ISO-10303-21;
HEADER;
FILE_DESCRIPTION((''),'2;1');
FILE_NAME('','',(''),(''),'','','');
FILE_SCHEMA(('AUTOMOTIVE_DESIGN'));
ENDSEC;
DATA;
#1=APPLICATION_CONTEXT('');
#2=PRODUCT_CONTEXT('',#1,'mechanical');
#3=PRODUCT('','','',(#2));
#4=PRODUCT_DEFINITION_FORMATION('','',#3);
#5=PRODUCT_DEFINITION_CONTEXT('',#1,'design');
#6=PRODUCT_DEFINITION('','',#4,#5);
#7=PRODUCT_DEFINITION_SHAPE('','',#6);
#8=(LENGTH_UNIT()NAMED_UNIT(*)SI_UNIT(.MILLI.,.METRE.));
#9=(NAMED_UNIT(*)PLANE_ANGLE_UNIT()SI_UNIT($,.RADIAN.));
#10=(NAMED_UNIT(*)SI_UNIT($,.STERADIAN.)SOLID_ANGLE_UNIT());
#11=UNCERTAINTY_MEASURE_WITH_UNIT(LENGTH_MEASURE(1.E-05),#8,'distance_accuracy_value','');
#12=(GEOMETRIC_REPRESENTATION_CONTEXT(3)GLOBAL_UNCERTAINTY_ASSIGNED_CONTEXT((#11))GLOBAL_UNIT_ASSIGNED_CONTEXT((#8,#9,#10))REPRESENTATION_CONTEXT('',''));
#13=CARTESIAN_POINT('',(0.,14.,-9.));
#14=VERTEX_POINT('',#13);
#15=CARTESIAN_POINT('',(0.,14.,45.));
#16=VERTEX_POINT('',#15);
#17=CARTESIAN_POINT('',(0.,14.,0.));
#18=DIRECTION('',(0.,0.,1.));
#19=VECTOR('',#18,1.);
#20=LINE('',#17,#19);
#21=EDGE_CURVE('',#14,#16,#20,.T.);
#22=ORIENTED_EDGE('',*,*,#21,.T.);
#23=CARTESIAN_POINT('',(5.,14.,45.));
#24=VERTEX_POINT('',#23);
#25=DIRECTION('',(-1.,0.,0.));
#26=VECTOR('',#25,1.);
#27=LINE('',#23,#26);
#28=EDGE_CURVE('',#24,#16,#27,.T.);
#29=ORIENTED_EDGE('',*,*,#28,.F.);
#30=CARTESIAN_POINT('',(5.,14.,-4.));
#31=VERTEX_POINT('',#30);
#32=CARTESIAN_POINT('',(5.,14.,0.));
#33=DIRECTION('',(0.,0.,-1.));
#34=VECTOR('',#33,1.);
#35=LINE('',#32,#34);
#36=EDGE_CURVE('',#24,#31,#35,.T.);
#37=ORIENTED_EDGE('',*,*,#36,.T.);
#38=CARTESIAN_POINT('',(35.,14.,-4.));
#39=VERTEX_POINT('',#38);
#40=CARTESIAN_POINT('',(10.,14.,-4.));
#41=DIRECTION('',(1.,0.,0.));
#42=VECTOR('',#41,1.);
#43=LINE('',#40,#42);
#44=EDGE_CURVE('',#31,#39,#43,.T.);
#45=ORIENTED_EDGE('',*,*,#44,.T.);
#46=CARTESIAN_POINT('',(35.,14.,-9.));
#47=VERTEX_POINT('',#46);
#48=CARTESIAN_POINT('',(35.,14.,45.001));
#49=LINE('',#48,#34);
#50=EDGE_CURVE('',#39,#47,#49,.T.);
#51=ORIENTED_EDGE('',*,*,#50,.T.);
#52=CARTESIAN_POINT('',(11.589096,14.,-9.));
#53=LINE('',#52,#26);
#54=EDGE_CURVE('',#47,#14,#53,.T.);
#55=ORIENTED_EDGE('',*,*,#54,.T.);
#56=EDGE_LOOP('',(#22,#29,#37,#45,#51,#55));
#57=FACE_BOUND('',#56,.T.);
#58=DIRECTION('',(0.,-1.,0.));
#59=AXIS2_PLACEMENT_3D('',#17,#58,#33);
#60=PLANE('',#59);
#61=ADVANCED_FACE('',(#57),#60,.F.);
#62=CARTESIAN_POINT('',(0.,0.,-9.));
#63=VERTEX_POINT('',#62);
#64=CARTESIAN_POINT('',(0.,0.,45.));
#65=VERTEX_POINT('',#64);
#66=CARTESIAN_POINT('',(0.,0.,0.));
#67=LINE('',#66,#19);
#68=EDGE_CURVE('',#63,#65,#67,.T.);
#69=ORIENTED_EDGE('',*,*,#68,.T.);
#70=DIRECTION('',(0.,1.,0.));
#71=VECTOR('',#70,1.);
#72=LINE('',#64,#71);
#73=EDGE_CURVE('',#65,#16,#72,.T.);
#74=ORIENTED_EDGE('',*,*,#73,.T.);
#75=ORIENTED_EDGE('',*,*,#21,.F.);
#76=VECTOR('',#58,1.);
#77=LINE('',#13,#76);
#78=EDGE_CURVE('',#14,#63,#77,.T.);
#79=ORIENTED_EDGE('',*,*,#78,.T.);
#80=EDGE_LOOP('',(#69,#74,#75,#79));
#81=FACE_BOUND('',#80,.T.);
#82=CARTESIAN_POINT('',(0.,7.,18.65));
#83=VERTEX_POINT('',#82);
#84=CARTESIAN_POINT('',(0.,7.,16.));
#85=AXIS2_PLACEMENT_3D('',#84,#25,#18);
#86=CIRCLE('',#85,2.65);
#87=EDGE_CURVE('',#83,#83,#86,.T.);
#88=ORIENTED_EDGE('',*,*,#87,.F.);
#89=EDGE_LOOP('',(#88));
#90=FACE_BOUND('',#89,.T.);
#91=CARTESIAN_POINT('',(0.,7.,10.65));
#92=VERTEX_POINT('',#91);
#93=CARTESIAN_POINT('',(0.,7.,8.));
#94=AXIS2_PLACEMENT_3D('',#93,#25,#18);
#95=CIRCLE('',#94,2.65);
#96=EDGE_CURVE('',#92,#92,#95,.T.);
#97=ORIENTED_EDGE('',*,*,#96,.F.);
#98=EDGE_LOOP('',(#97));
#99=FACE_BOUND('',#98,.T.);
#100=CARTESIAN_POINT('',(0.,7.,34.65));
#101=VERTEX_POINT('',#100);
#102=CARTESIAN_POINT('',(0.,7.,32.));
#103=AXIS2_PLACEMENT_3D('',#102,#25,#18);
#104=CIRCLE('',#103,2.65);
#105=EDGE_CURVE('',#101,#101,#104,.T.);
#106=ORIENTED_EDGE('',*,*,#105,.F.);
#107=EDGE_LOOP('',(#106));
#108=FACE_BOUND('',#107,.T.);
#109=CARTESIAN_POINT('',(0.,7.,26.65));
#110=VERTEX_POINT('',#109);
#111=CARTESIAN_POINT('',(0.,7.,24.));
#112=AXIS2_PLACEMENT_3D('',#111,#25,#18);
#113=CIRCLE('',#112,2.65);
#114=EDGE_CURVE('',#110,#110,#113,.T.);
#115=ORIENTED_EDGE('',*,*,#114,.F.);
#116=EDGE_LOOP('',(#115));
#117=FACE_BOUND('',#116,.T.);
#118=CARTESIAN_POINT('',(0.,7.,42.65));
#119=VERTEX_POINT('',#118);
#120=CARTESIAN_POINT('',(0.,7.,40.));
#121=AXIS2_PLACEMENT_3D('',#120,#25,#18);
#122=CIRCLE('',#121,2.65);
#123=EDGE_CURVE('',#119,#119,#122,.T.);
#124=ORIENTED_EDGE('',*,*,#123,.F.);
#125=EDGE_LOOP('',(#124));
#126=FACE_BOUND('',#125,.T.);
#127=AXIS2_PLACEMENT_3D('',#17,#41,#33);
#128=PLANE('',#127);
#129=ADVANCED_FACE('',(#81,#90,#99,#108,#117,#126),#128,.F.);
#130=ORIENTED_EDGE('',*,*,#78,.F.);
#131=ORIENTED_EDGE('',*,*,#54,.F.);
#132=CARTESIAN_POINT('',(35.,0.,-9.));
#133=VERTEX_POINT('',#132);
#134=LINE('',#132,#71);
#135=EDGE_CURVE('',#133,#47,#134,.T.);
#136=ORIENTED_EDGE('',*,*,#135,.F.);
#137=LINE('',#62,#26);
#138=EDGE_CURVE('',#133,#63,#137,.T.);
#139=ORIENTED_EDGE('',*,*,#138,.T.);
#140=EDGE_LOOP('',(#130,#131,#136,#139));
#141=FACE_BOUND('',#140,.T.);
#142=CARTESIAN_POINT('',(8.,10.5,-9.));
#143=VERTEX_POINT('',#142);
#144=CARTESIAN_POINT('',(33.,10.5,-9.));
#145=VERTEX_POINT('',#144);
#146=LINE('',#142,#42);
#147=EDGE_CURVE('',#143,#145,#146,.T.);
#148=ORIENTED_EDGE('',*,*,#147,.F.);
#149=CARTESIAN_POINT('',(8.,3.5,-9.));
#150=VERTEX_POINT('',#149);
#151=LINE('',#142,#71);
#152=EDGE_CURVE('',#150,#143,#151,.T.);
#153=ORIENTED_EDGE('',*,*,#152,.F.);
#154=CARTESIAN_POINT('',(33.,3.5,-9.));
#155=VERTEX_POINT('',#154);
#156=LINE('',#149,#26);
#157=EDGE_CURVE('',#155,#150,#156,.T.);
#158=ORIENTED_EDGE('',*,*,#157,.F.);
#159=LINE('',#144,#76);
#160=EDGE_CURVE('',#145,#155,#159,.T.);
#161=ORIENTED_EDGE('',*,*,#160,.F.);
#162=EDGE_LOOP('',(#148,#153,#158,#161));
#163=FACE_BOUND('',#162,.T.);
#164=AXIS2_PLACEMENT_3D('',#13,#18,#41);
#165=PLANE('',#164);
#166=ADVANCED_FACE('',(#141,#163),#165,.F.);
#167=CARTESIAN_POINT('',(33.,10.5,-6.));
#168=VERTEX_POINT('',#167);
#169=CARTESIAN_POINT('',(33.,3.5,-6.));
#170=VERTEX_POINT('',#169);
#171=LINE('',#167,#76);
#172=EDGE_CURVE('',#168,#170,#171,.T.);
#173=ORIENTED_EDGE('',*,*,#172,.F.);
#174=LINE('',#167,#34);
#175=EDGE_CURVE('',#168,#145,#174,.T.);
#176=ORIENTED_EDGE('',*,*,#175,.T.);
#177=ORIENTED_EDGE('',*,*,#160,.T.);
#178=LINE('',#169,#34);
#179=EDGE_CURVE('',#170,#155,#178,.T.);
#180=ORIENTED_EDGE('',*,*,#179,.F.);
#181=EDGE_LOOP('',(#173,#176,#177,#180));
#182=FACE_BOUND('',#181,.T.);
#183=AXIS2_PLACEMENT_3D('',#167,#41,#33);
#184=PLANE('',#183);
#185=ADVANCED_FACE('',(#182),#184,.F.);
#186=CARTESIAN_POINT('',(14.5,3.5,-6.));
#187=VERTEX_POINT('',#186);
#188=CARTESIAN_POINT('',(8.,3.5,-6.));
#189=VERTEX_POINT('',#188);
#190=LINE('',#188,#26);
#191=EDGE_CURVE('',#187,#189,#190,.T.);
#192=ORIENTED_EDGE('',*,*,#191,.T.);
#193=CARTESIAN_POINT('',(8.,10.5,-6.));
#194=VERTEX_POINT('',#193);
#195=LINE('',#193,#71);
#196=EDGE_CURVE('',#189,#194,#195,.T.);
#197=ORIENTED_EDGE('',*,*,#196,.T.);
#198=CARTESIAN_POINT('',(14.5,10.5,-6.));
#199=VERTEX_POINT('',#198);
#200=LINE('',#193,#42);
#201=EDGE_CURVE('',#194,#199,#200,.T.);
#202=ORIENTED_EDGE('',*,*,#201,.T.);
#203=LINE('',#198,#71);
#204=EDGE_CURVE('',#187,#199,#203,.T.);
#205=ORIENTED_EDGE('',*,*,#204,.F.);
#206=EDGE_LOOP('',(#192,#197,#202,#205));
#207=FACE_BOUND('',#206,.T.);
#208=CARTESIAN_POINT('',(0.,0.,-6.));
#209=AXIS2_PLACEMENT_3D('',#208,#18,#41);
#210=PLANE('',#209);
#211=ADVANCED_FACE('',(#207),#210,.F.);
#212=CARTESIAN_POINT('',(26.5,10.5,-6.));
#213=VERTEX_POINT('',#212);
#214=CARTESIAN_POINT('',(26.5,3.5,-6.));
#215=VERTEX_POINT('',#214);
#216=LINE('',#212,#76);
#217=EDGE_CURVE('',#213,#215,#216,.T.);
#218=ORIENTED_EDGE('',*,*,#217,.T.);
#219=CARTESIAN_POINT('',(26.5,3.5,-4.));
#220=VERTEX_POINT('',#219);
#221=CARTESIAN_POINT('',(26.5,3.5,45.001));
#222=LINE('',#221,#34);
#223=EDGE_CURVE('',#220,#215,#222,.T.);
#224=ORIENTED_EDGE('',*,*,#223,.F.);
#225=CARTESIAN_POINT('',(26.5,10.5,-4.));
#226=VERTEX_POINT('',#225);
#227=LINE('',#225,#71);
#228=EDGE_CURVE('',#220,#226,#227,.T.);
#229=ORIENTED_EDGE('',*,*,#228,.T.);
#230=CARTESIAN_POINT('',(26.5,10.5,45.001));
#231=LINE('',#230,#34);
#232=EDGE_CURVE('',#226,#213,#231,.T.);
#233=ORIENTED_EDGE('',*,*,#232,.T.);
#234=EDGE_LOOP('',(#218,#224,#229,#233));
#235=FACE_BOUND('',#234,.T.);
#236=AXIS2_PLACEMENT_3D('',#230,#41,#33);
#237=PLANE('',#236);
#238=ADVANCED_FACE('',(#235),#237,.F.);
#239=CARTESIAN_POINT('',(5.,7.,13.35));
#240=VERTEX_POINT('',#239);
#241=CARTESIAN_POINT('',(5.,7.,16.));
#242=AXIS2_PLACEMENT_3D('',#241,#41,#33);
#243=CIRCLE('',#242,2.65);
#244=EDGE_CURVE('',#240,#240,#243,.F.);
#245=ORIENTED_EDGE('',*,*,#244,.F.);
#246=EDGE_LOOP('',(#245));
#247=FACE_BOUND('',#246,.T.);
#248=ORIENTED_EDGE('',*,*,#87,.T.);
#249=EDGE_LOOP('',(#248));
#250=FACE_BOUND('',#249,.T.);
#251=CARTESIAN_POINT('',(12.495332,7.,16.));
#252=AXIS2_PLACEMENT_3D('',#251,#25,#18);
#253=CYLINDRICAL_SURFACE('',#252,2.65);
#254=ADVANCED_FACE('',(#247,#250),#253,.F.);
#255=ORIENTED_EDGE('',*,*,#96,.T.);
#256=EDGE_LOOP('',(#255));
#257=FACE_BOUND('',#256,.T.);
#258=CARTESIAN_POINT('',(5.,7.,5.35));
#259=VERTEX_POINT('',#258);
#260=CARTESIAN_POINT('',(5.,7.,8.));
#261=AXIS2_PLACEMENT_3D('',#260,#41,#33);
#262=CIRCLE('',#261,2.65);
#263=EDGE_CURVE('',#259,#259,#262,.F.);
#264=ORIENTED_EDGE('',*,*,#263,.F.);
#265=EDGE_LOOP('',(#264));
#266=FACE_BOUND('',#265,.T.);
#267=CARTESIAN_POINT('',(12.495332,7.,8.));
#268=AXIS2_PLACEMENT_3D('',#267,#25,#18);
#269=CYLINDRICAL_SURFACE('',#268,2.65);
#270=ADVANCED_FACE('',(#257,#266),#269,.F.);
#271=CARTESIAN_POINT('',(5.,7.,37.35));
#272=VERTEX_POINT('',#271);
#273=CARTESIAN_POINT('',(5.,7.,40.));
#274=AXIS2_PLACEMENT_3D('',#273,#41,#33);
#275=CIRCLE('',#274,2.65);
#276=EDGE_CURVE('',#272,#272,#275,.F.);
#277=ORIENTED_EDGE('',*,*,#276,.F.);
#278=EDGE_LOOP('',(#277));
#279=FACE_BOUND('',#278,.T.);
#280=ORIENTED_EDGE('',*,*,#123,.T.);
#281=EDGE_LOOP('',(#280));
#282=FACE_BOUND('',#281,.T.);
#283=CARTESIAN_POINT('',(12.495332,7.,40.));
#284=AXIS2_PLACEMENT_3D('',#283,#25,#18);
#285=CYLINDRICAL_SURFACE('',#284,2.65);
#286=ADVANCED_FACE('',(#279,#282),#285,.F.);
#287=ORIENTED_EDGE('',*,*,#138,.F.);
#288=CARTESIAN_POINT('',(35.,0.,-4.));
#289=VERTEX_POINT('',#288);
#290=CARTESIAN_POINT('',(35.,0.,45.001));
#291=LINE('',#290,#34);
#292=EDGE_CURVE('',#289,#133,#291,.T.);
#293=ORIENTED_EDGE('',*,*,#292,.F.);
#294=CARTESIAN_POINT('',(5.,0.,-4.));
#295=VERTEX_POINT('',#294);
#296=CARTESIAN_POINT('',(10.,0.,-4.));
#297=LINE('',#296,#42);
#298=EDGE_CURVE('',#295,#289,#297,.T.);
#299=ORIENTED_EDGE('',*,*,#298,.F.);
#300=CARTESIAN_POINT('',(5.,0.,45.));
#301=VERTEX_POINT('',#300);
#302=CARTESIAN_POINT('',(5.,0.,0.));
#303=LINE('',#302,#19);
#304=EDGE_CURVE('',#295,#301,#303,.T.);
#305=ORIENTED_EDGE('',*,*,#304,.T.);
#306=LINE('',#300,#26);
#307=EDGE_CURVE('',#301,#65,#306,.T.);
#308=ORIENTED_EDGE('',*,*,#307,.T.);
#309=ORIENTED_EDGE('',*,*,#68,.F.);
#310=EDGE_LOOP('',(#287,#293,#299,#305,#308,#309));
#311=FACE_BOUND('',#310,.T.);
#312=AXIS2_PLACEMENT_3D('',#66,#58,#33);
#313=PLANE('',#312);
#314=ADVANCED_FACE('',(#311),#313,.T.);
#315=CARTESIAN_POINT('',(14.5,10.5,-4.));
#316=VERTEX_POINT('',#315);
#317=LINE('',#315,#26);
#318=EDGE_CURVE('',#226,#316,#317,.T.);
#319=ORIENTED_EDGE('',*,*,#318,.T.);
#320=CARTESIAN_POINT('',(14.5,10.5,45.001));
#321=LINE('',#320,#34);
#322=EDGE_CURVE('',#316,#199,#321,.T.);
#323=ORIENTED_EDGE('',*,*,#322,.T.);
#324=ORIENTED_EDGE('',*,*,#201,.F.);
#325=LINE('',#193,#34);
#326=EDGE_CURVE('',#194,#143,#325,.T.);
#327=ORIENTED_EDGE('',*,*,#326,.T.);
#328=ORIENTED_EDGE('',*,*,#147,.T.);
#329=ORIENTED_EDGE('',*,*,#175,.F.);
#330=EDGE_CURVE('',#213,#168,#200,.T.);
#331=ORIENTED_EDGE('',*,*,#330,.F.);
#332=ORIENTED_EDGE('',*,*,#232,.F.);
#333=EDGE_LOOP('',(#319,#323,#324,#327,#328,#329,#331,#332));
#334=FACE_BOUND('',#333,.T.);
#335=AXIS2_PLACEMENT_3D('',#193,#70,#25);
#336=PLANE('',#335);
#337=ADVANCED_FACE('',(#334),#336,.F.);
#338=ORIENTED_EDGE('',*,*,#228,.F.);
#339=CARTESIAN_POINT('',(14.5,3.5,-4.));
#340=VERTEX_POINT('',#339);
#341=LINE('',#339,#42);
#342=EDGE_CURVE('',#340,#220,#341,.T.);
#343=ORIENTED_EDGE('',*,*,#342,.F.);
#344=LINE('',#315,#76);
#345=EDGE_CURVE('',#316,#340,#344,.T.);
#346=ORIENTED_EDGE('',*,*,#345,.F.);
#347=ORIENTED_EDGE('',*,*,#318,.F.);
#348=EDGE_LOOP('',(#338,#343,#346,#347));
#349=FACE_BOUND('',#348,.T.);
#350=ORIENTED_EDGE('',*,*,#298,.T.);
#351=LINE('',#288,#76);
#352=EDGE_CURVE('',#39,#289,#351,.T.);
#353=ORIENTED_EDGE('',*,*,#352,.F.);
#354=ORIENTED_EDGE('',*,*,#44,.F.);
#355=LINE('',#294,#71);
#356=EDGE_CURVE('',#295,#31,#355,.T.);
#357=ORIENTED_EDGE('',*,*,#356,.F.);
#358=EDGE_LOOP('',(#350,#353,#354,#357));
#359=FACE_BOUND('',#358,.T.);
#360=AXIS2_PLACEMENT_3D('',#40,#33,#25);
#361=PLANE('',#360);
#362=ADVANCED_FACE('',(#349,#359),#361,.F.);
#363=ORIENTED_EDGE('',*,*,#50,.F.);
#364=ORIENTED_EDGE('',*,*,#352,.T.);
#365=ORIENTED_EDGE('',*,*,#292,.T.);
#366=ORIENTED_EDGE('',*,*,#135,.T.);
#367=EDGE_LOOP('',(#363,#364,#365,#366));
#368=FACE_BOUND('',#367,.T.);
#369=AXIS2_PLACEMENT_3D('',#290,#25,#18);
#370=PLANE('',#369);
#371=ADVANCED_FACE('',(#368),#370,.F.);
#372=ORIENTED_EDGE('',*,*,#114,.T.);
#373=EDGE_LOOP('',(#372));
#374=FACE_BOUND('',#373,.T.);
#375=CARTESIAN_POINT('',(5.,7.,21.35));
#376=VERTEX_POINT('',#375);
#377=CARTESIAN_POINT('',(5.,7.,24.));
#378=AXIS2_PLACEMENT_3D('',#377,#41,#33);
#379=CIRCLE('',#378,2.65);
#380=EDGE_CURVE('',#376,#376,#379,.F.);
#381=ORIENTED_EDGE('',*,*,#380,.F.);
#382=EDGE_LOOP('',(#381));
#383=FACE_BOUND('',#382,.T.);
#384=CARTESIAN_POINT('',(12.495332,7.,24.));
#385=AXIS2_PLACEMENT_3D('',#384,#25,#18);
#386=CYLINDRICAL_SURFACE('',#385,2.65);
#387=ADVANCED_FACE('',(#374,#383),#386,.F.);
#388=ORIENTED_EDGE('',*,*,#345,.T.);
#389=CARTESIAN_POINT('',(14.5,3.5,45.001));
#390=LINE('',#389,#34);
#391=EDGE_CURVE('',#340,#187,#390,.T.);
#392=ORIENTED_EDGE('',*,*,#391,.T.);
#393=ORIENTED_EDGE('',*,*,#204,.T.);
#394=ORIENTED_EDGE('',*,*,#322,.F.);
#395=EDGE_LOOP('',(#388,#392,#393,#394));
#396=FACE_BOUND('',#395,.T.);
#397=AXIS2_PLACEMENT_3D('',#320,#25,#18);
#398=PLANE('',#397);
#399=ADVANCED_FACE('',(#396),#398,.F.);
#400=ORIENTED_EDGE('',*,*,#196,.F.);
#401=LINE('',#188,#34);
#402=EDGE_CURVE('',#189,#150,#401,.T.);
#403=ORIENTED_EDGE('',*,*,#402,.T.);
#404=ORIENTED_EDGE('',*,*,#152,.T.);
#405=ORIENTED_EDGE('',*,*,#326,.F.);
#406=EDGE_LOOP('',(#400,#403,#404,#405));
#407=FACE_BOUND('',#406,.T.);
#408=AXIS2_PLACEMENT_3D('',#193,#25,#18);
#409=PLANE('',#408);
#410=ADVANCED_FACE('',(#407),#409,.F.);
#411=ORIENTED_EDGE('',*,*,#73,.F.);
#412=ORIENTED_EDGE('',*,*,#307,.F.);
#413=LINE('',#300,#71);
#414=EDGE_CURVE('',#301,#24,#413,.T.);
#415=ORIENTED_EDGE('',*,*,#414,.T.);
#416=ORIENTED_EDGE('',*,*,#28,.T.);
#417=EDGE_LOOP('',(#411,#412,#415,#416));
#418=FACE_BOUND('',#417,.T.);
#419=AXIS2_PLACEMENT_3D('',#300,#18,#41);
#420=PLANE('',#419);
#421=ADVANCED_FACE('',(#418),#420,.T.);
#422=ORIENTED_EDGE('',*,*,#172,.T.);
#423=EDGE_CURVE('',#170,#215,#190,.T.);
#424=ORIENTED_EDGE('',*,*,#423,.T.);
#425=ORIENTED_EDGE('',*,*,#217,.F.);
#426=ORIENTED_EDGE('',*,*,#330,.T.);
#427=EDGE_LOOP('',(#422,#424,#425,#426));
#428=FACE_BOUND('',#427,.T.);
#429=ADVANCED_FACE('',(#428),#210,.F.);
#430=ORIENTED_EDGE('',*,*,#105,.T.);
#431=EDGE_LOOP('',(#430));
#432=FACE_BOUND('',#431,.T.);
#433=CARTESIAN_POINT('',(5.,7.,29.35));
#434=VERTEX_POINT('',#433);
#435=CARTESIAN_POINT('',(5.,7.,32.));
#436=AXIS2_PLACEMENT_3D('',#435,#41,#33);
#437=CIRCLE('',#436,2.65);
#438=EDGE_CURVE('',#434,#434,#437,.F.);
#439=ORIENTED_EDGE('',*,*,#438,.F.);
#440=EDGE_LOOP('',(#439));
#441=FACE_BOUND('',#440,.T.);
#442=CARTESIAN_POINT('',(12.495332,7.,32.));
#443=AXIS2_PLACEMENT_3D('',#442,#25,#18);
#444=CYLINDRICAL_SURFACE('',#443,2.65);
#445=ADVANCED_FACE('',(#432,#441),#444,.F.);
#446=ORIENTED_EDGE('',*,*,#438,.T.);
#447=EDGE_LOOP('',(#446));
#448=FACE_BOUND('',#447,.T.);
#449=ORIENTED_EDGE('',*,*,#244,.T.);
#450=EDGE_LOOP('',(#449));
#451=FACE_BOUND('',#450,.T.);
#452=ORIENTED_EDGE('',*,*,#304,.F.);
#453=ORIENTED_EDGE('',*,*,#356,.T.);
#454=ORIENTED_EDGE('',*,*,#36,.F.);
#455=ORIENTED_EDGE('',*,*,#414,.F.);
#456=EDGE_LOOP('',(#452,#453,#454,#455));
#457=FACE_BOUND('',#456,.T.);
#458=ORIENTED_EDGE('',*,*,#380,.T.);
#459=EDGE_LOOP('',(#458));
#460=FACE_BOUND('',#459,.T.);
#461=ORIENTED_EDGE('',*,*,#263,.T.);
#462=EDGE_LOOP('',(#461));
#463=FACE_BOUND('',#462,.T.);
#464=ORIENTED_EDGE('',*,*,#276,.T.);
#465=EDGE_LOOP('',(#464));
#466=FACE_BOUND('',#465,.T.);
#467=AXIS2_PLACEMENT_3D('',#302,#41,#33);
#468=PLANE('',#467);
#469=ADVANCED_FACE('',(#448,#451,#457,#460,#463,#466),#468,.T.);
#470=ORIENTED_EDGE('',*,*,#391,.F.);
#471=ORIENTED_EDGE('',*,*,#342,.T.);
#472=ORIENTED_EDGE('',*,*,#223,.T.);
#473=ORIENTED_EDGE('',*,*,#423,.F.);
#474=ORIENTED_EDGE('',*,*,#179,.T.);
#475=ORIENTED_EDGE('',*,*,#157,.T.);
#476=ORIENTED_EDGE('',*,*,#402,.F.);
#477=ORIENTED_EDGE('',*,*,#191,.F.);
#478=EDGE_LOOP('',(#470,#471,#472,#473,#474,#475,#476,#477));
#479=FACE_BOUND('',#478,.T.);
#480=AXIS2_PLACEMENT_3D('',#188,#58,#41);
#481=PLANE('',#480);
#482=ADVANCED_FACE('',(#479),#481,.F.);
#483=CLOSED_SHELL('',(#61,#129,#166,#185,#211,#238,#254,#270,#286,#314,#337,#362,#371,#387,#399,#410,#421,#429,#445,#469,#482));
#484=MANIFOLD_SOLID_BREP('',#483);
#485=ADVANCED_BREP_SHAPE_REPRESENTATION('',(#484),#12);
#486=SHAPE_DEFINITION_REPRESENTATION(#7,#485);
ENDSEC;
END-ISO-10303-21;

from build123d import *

# Parameters (mm, degrees)
BOSS_EXTRUDE1_DEPTH  = 14
SKETCH20_W           = 45
SKETCH20_H           = 14
BOSS_EXTRUDE10_DEPTH = 5
SKETCH21_R           = 2.65
CUT_EXTRUDE13_DEPTH  = 5
SKETCH22_W           = 5
SKETCH22_H           = 4
CUT_EXTRUDE14_DEPTH  = 62.814237842
SKETCH23_R           = 2.65
BOSS_EXTRUDE11_DEPTH = 5
SKETCH24_W           = 25
SKETCH24_H           = 7
CUT_EXTRUDE15_DEPTH  = 3
CUT_EXTRUDE16_REACH  = 68.31
SKETCH25_W           = 12
SKETCH25_H           = 7
CUT_EXTRUDE17_REACH  = 70.644
SKETCH26_W           = 5
SKETCH26_H           = 14


with BuildPart() as part:
    # Sketch1 → Boss-Extrude1 (new body)
    with BuildSketch(Plane(origin=(0, 0, 0), x_dir=(1, 0, 0), z_dir=(0, 1, 0))):
        Polygon((6.589095597, 0), (10, 0), (10, 4), (40, 4), (40, 9), (11.589095597, 9), (0, 9), (0, 0), align=None)
    extrude(amount=BOSS_EXTRUDE1_DEPTH)

    # Sketch20 → Boss-Extrude10 (add)
    with BuildSketch(Plane.ZY):
        with Locations((22.5, 7)):
            Rectangle(SKETCH20_W, SKETCH20_H)
    extrude(amount=-BOSS_EXTRUDE10_DEPTH)

    # Sketch21 → Cut-Extrude13 (cut)
    with BuildSketch(Plane.ZY):
        with Locations((0, 7)):
            Circle(SKETCH21_R)
        with Locations((8, 7)):
            Circle(SKETCH21_R)
        with Locations((16, 7)):
            Circle(SKETCH21_R)
        with Locations((24, 7)):
            Circle(SKETCH21_R)
        with Locations((32, 7)):
            Circle(SKETCH21_R)
        with Locations((40, 7)):
            Circle(SKETCH21_R)
    extrude(amount=-CUT_EXTRUDE13_DEPTH, mode=Mode.SUBTRACT)

    # Sketch22 → Cut-Extrude14 (cut, through all)
    with BuildSketch(Plane(origin=(0, 14, 0), x_dir=(1, 0, 0), z_dir=(0, 1, 0))):
        with Locations((7.5, 2)):
            Rectangle(SKETCH22_W, SKETCH22_H)
    extrude(amount=-CUT_EXTRUDE14_DEPTH, mode=Mode.SUBTRACT)

    # Sketch23 → Boss-Extrude11 (add)
    with BuildSketch(Plane.ZY):
        with Locations((0, 7)):
            Circle(SKETCH23_R)
    extrude(amount=-BOSS_EXTRUDE11_DEPTH)

    # Sketch24 → Cut-Extrude15 (cut)
    with BuildSketch(Plane(origin=(0, 0, -9), x_dir=(-1, 0, 0), z_dir=(0, 0, -1))):
        with Locations((-20.5, 7)):
            Rectangle(SKETCH24_W, SKETCH24_H)
    extrude(amount=-CUT_EXTRUDE15_DEPTH, mode=Mode.SUBTRACT)

    # Sketch25 → Cut-Extrude16 (cut, up to next)
    with BuildSketch(Plane(origin=(0, 0, -6), x_dir=(-1, 0, 0), z_dir=(0, 0, -1)), mode=Mode.PRIVATE) as cut_extrude16_sk1:
        with Locations((-20.5, 7)):
            Rectangle(SKETCH25_W, SKETCH25_H)
    cut_extrude16_tool1 = extrude(cut_extrude16_sk1.sketch, amount=-CUT_EXTRUDE16_REACH, mode=Mode.PRIVATE) & part.part
    add(cut_extrude16_tool1.solids().sort_by_distance((20.5, 7, -6))[0], mode=Mode.SUBTRACT)

    # Sketch26 → Cut-Extrude17 (cut, up to next)
    with BuildSketch(Plane(origin=(0, 0, -9), x_dir=(-1, 0, 0), z_dir=(0, 0, -1)), mode=Mode.PRIVATE) as cut_extrude17_sk1:
        with Locations((-37.5, 7)):
            Rectangle(SKETCH26_W, SKETCH26_H)
    cut_extrude17_tool1 = extrude(cut_extrude17_sk1.sketch, amount=-CUT_EXTRUDE17_REACH, mode=Mode.PRIVATE) & part.part
    add(cut_extrude17_tool1.solids().sort_by_distance((37.5, 7, -9))[0], mode=Mode.SUBTRACT)


solid = part.part
